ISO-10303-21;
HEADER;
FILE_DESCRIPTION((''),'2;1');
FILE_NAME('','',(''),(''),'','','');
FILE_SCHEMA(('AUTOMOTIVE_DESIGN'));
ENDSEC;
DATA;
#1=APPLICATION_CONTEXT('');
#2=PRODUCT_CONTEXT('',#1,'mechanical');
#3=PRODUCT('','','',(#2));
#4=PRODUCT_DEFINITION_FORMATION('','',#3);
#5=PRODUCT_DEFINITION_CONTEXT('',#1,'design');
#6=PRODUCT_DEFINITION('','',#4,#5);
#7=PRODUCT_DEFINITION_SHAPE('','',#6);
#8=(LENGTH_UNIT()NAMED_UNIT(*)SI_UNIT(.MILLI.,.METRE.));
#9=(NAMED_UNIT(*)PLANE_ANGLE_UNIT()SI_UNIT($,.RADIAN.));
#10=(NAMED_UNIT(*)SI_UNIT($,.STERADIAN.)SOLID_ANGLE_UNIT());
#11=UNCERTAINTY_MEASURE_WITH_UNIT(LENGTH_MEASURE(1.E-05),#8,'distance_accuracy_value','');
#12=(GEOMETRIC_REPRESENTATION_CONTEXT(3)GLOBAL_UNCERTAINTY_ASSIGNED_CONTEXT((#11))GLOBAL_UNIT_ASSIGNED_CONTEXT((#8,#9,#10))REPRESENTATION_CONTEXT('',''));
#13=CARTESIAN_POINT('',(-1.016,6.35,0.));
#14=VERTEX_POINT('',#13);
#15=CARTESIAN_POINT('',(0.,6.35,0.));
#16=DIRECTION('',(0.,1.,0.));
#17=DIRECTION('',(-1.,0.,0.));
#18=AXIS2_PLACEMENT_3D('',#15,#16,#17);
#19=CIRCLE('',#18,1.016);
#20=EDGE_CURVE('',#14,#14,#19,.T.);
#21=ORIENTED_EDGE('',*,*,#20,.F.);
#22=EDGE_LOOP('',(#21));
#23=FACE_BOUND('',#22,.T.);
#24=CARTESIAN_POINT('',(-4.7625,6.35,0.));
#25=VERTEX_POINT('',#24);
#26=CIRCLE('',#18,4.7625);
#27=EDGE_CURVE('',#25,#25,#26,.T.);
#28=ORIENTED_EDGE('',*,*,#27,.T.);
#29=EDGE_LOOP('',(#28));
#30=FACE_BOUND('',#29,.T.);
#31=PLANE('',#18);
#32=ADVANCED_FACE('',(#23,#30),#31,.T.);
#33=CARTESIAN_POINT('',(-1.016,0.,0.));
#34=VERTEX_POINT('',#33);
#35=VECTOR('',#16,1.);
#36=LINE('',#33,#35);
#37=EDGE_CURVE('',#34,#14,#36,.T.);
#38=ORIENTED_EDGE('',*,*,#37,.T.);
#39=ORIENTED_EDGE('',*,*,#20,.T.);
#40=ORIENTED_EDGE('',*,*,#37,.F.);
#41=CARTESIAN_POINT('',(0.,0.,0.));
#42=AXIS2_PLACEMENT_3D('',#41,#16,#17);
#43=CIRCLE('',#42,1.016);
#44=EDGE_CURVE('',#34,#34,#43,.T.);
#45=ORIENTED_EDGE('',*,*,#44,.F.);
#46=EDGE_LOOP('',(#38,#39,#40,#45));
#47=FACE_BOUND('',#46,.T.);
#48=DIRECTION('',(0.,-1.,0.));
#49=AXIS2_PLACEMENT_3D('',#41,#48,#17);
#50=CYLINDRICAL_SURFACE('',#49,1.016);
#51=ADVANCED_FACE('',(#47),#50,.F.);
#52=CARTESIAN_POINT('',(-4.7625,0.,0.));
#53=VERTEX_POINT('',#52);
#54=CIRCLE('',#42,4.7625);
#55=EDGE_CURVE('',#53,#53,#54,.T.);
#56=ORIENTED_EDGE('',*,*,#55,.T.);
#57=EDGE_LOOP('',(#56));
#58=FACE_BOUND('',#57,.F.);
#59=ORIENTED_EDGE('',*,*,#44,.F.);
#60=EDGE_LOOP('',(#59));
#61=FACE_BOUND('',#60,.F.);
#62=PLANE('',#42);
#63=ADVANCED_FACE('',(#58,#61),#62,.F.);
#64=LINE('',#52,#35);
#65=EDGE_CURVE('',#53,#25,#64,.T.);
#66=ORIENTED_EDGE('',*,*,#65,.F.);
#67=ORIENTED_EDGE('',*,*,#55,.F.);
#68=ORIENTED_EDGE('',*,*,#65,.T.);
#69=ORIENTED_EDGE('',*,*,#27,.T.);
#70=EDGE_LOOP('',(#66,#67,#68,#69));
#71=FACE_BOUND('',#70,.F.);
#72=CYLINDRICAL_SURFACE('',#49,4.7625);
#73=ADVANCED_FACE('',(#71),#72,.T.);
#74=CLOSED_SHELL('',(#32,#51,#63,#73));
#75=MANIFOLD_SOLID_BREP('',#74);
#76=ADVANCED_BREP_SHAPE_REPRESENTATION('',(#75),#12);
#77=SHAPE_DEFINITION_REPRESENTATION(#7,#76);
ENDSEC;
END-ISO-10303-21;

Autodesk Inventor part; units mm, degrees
ref_plane "YZ Plane" through (0, 0, 0) normal (1, 0, 0) x (0, 1, 0)
ref_plane "XZ Plane" through (0, 0, 0) normal (0, 1, 0) x (-1, 0, 0)
ref_plane "XY Plane" through (0, 0, 0) normal (0, 0, 1) x (1, 0, 0)
sketch "Sketch1" plane through (0, 0, 0) normal (0, 1, 0) x (-1, 0, 0)
  circle A0 centre (0, 0) radius 1.016
  circle A1 centre (0, 0) radius 4.7625
  dimension "d0" = 2.032
  dimension "d1" = 9.525
extrude "Extrusion1" add sketch "Sketch1" along normal blind 6.35
properties part number "powerDistSpacer"
